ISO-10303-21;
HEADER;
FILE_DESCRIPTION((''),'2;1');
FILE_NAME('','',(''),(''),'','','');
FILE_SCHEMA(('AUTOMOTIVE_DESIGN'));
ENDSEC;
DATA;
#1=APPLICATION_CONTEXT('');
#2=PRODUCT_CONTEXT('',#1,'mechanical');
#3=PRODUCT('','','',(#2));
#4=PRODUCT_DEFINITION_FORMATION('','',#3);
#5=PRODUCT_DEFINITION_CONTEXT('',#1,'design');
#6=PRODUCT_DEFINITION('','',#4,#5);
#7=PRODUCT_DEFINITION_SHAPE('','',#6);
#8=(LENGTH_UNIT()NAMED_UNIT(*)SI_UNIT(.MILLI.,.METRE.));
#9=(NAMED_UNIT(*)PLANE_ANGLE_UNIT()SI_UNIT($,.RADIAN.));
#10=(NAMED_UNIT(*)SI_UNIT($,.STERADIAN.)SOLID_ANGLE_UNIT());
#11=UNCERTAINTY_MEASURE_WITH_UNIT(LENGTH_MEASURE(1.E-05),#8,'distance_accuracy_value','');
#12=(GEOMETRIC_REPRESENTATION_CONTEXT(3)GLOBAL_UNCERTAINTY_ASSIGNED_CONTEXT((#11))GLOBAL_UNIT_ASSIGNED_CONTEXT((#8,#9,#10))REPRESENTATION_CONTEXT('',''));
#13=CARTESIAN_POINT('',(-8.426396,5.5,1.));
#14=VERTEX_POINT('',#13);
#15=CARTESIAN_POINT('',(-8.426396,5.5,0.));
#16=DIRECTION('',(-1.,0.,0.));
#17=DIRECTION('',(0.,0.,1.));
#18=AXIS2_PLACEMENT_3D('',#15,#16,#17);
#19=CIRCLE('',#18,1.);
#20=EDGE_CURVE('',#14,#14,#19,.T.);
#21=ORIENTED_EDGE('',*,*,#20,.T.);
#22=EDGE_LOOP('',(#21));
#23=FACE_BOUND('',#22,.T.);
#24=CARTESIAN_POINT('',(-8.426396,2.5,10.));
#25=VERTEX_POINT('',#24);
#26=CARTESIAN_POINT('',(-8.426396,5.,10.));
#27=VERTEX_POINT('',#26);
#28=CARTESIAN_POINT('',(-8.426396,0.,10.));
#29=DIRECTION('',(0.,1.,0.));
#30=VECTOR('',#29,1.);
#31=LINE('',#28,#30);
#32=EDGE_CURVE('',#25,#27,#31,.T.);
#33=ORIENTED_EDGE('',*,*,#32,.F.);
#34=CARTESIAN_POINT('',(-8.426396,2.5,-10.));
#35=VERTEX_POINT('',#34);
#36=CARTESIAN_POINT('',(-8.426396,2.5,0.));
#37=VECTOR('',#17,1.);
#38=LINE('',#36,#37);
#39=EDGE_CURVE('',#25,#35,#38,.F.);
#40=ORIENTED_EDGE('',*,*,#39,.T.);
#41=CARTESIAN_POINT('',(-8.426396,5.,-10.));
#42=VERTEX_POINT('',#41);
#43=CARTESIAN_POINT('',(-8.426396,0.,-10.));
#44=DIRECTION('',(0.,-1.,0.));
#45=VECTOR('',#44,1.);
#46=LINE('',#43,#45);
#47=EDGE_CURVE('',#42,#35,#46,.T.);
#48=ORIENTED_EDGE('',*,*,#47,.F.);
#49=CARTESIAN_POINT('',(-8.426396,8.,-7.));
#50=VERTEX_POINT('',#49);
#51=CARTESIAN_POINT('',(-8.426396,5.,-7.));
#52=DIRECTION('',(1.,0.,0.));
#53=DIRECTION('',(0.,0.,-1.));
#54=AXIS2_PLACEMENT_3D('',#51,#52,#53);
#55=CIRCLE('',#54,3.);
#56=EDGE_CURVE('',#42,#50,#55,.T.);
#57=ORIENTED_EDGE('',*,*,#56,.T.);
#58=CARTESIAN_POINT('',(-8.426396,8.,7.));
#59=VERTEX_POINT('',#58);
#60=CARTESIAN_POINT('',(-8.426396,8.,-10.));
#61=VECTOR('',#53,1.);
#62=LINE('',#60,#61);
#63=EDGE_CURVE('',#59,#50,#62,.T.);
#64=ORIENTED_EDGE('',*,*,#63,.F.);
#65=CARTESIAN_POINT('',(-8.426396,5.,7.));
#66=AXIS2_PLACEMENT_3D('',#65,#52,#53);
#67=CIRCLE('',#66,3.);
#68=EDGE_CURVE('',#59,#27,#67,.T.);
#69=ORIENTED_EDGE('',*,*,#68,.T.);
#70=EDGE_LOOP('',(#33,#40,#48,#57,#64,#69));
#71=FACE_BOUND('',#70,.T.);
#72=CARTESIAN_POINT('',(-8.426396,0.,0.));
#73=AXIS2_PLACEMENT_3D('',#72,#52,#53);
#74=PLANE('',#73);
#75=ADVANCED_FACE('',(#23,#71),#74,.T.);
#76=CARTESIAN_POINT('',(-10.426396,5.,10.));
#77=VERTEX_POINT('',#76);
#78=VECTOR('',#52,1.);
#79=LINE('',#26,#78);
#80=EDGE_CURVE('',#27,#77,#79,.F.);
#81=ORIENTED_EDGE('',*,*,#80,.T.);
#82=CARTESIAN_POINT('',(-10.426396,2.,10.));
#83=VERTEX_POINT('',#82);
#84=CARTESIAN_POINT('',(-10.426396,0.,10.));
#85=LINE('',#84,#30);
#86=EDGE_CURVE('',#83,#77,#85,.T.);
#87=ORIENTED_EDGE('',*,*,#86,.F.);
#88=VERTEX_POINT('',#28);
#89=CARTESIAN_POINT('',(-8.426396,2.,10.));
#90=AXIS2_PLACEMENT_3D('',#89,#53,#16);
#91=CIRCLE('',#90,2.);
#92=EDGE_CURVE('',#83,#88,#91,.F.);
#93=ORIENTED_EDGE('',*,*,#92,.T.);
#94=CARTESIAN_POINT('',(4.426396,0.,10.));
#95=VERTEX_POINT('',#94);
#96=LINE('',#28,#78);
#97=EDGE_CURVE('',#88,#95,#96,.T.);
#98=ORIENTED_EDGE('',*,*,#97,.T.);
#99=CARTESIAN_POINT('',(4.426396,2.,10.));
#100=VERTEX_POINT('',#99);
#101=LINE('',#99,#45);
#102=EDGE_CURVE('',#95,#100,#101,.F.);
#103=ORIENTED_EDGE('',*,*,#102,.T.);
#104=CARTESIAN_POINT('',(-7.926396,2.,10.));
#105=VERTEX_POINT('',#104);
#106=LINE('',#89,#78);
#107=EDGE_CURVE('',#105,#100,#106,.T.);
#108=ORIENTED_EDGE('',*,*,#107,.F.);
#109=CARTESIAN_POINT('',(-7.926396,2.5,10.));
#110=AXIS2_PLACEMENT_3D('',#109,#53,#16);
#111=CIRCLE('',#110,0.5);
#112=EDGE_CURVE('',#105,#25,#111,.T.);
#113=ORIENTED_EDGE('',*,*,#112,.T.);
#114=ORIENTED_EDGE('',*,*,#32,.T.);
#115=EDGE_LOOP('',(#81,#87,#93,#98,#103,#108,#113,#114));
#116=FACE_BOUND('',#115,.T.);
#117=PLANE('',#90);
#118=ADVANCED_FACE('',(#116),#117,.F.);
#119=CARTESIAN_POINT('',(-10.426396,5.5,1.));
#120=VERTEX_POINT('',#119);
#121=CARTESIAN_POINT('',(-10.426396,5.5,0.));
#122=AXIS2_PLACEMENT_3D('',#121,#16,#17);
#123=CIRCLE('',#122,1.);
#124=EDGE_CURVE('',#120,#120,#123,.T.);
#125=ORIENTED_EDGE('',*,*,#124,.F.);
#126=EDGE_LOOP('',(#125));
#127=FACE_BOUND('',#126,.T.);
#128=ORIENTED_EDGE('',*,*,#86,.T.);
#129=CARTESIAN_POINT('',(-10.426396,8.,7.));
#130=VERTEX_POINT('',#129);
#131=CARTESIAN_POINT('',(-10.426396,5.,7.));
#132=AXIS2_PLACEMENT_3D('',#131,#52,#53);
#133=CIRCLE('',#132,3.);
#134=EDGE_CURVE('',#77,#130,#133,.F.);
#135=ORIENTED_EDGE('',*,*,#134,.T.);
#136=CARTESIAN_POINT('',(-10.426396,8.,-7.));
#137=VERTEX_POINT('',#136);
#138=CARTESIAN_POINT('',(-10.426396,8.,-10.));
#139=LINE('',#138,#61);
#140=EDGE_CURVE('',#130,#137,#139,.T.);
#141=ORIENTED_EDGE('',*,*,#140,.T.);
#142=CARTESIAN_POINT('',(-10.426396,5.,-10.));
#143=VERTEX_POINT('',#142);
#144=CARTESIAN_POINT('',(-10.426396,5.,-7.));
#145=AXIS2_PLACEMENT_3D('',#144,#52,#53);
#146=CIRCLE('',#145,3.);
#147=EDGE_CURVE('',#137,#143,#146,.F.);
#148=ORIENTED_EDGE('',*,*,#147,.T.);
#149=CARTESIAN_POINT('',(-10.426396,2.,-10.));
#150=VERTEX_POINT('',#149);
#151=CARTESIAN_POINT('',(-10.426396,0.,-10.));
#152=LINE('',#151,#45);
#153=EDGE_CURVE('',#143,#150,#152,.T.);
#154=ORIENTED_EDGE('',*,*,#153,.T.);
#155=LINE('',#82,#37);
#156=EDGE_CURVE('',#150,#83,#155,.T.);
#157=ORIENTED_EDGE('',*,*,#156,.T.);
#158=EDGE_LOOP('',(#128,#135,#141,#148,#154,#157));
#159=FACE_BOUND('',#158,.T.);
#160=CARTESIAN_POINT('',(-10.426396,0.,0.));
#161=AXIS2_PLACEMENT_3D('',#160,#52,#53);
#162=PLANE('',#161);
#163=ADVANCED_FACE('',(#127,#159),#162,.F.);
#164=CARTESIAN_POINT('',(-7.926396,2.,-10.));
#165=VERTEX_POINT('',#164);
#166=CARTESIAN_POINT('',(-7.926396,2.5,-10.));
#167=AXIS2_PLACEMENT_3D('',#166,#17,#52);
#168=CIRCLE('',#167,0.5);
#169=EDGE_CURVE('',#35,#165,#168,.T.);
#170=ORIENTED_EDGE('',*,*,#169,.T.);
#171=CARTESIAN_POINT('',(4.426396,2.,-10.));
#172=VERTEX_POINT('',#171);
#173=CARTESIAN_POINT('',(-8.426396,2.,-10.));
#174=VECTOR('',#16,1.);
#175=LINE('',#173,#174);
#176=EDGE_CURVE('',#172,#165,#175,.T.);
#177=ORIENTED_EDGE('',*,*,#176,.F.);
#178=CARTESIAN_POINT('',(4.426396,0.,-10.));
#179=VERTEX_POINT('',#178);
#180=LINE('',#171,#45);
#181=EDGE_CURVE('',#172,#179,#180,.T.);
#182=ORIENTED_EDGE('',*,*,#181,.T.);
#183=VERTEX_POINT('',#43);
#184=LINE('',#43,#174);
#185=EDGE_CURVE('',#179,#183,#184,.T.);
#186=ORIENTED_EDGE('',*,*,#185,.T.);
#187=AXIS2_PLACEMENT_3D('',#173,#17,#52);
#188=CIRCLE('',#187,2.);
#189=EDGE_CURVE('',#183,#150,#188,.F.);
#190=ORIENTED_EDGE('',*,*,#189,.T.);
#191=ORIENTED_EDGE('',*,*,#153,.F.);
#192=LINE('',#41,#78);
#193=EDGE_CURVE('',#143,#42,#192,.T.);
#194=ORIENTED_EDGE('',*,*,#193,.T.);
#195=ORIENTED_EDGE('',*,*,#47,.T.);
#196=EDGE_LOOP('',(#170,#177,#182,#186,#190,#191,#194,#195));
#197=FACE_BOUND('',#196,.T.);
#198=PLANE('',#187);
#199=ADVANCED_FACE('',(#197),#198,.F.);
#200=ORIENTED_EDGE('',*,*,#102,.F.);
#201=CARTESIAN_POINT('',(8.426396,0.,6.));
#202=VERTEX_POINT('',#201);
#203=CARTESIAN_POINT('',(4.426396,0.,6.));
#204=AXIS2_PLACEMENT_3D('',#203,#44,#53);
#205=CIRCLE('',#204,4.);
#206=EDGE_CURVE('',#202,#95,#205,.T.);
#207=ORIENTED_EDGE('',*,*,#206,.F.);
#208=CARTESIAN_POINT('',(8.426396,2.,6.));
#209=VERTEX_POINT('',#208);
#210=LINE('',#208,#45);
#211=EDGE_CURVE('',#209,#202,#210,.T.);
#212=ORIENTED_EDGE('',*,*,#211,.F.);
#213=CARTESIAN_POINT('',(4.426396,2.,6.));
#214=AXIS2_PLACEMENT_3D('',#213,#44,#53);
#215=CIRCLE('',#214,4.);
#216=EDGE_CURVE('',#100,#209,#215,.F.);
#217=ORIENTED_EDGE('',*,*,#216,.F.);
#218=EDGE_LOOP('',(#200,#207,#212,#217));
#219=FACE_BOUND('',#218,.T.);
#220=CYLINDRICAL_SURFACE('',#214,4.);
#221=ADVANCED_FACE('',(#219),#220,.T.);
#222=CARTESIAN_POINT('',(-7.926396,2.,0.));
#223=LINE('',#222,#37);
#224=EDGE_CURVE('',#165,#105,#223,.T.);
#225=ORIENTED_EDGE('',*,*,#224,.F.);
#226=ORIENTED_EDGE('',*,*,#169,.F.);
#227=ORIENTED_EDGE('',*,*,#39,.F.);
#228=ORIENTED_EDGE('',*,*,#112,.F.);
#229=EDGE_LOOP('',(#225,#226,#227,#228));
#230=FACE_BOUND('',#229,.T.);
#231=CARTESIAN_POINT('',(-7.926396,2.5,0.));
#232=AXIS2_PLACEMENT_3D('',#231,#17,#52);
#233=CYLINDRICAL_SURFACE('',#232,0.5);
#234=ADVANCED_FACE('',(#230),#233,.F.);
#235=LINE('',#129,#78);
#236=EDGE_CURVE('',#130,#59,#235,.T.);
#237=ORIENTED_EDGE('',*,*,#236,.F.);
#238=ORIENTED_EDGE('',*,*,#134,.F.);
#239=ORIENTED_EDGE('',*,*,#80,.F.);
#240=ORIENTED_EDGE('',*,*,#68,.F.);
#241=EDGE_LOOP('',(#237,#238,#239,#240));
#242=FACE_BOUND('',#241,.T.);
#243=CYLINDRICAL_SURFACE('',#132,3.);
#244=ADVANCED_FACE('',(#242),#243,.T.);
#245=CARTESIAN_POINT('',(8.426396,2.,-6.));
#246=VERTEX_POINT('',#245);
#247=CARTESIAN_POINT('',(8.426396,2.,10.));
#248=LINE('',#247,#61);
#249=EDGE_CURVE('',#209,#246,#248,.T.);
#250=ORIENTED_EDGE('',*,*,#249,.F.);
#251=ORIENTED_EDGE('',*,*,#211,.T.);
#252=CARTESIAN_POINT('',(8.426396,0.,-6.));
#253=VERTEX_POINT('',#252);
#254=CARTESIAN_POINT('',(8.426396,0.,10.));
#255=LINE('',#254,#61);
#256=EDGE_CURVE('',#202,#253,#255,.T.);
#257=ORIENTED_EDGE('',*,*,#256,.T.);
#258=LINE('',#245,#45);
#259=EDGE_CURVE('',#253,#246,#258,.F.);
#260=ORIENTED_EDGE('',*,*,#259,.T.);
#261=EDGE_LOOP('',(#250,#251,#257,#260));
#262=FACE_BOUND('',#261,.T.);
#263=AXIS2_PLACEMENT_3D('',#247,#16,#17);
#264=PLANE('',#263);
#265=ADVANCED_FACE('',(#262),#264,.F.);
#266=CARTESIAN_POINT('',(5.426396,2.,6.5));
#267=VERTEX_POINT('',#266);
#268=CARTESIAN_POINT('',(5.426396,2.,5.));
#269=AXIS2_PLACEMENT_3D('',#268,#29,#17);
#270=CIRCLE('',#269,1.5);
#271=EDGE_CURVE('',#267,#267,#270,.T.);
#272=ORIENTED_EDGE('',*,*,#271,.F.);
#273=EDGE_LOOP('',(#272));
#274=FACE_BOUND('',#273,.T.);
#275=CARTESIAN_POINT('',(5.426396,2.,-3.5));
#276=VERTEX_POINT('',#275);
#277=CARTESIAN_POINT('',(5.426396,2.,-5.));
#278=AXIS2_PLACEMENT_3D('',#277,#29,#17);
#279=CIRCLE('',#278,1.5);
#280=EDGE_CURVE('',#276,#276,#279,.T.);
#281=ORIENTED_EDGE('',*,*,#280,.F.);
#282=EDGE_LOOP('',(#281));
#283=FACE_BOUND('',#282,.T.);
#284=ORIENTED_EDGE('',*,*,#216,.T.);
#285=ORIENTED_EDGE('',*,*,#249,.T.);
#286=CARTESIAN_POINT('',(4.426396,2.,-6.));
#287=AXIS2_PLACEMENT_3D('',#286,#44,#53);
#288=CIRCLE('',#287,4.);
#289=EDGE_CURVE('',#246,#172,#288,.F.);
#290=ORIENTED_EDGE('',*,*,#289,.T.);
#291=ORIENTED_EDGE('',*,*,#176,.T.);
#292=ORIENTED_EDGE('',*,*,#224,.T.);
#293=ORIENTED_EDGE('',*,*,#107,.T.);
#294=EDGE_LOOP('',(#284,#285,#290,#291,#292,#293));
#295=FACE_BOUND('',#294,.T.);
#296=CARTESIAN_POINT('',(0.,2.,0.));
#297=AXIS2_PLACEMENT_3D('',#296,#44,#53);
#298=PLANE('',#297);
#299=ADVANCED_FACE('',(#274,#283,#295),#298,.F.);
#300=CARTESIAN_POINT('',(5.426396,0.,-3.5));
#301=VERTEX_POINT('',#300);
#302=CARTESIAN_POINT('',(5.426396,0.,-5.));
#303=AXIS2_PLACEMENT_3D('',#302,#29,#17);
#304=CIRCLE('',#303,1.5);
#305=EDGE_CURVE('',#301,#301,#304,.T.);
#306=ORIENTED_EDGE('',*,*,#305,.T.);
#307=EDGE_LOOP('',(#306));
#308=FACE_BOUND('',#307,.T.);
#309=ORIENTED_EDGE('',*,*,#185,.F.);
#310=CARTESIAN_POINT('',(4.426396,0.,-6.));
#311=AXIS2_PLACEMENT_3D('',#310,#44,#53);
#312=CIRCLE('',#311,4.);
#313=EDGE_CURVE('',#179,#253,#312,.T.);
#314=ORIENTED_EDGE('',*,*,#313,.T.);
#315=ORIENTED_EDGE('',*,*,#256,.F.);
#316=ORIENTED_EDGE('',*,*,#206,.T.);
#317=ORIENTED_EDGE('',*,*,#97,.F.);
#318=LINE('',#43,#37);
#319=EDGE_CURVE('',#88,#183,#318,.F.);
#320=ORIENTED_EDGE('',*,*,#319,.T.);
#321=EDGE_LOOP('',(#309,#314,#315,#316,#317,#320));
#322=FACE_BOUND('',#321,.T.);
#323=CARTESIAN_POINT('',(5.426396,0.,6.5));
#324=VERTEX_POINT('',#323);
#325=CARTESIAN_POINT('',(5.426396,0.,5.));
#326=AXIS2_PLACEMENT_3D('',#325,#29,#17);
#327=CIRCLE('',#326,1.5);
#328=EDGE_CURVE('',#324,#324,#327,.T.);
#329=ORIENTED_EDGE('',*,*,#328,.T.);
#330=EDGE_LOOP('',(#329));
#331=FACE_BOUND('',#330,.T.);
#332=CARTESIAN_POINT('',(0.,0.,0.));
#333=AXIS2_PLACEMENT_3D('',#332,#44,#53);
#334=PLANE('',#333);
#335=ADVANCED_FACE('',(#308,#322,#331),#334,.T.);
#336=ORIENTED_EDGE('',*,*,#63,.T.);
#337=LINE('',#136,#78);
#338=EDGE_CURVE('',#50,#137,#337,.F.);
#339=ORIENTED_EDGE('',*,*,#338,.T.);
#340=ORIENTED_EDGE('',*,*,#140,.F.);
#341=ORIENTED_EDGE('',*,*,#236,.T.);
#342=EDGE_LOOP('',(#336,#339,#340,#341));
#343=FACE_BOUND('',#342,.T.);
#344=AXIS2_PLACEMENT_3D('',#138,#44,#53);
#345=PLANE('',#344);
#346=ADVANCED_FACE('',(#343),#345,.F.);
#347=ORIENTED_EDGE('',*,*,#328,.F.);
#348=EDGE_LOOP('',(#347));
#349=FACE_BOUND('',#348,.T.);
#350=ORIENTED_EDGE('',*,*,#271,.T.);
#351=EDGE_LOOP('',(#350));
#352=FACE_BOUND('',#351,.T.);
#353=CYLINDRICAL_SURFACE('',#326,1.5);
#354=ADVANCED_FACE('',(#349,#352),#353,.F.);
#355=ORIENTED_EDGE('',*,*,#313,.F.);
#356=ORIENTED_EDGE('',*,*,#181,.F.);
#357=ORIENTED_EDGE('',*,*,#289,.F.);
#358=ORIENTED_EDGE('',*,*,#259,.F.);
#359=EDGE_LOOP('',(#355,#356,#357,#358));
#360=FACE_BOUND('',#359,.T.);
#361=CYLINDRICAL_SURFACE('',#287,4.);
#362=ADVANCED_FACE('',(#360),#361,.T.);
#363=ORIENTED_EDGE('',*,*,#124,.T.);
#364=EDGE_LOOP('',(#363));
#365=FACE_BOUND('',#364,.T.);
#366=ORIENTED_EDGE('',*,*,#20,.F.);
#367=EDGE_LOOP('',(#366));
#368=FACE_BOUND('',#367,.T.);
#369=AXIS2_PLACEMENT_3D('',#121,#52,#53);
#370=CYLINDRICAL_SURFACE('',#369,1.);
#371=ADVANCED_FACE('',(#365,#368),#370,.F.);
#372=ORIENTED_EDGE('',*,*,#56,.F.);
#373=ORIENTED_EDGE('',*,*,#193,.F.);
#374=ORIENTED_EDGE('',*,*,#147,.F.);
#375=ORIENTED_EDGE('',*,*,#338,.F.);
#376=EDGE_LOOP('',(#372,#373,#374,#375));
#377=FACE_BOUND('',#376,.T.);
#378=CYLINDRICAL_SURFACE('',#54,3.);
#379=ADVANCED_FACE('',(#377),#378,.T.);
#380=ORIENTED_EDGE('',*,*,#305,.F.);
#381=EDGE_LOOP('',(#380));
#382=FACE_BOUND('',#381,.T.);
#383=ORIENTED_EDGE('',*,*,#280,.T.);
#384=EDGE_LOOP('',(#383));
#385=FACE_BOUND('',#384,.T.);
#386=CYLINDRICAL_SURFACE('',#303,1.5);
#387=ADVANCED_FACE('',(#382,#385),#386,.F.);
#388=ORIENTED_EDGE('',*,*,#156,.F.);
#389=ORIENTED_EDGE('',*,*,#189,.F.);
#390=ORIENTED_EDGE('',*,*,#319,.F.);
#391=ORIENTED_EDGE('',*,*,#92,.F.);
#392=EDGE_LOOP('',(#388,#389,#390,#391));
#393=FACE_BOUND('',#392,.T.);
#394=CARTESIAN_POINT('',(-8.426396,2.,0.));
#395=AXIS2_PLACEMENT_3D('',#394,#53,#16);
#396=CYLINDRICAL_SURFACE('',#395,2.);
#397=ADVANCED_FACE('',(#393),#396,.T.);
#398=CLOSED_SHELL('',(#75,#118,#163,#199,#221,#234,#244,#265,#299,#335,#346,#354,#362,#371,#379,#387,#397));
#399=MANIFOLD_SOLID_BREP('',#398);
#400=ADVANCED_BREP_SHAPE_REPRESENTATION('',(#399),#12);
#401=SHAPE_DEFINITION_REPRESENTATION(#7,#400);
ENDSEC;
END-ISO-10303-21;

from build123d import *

# Parameters (mm, degrees)
SKETCH1_W           = 16.852791878
SKETCH1_H           = 20
BOSS_EXTRUDE1_DEPTH = 2
FILLET1_R           = 4
SKETCH2_W           = 20
SKETCH2_H           = 8
SKETCH2_R           = 1
BOSS_EXTRUDE2_DEPTH = 2
FILLET2_R           = 3
FILLET3_R           = 3
FILLET4_R           = 2
FILLET5_R           = 0.5
SKETCH3_R           = 1.5
CUT_EXTRUDE1_DEPTH  = 16.643200832


with BuildPart() as part:
    # Sketch1 → Boss-Extrude1 (new body)
    with BuildSketch(Plane(origin=(0, 0, 0), x_dir=(1, 0, 0), z_dir=(0, 1, 0))):
        Rectangle(SKETCH1_W, SKETCH1_H)
    extrude(amount=BOSS_EXTRUDE1_DEPTH)

    # Fillet1
    fillet1_edges = [part.edges().sort_by_distance(p)[0] for p in [
        (8.426395939, 1, 10),
        (8.426395939, 1, -10),
    ]]
    fillet(fillet1_edges, radius=FILLET1_R)

    # Sketch2 → Boss-Extrude2 (add)
    with BuildSketch(Plane.ZY.offset(8.426395939)):
        with Locations((0, 4)):
            Rectangle(SKETCH2_W, SKETCH2_H)
        with Locations((0, 5.5)):
            Circle(SKETCH2_R, mode=Mode.SUBTRACT)
    extrude(amount=BOSS_EXTRUDE2_DEPTH)

    # Fillet2
    fillet2_edges = [part.edges().sort_by_distance(p)[0] for p in [
        (-9.426395939, 8, 10),
    ]]
    fillet(fillet2_edges, radius=FILLET2_R)

    # Fillet3
    fillet3_edges = [part.edges().sort_by_distance(p)[0] for p in [
        (-9.426395939, 8, -10),
    ]]
    fillet(fillet3_edges, radius=FILLET3_R)

    # Fillet4
    fillet4_edges = [part.edges().sort_by_distance(p)[0] for p in [
        (-10.426395939, 0, 0),
    ]]
    fillet(fillet4_edges, radius=FILLET4_R)

    # Fillet5
    fillet5_edges = [part.edges().sort_by_distance(p)[0] for p in [
        (-8.426395939, 2, 0),
    ]]
    fillet(fillet5_edges, radius=FILLET5_R)

    # Sketch3 → Cut-Extrude1 (cut, through all)
    with BuildSketch(Plane(origin=(0, 2, 0), x_dir=(1, 0, 0), z_dir=(0, 1, 0))):
        with Locations(Location((5.426395939, 5, 0), (0, 0, 270))):
            Circle(SKETCH3_R)
        with Locations(Location((5.426395939, -5, 0), (0, 0, 270))):
            Circle(SKETCH3_R)
    extrude(amount=-CUT_EXTRUDE1_DEPTH, mode=Mode.SUBTRACT)


solid = part.part
